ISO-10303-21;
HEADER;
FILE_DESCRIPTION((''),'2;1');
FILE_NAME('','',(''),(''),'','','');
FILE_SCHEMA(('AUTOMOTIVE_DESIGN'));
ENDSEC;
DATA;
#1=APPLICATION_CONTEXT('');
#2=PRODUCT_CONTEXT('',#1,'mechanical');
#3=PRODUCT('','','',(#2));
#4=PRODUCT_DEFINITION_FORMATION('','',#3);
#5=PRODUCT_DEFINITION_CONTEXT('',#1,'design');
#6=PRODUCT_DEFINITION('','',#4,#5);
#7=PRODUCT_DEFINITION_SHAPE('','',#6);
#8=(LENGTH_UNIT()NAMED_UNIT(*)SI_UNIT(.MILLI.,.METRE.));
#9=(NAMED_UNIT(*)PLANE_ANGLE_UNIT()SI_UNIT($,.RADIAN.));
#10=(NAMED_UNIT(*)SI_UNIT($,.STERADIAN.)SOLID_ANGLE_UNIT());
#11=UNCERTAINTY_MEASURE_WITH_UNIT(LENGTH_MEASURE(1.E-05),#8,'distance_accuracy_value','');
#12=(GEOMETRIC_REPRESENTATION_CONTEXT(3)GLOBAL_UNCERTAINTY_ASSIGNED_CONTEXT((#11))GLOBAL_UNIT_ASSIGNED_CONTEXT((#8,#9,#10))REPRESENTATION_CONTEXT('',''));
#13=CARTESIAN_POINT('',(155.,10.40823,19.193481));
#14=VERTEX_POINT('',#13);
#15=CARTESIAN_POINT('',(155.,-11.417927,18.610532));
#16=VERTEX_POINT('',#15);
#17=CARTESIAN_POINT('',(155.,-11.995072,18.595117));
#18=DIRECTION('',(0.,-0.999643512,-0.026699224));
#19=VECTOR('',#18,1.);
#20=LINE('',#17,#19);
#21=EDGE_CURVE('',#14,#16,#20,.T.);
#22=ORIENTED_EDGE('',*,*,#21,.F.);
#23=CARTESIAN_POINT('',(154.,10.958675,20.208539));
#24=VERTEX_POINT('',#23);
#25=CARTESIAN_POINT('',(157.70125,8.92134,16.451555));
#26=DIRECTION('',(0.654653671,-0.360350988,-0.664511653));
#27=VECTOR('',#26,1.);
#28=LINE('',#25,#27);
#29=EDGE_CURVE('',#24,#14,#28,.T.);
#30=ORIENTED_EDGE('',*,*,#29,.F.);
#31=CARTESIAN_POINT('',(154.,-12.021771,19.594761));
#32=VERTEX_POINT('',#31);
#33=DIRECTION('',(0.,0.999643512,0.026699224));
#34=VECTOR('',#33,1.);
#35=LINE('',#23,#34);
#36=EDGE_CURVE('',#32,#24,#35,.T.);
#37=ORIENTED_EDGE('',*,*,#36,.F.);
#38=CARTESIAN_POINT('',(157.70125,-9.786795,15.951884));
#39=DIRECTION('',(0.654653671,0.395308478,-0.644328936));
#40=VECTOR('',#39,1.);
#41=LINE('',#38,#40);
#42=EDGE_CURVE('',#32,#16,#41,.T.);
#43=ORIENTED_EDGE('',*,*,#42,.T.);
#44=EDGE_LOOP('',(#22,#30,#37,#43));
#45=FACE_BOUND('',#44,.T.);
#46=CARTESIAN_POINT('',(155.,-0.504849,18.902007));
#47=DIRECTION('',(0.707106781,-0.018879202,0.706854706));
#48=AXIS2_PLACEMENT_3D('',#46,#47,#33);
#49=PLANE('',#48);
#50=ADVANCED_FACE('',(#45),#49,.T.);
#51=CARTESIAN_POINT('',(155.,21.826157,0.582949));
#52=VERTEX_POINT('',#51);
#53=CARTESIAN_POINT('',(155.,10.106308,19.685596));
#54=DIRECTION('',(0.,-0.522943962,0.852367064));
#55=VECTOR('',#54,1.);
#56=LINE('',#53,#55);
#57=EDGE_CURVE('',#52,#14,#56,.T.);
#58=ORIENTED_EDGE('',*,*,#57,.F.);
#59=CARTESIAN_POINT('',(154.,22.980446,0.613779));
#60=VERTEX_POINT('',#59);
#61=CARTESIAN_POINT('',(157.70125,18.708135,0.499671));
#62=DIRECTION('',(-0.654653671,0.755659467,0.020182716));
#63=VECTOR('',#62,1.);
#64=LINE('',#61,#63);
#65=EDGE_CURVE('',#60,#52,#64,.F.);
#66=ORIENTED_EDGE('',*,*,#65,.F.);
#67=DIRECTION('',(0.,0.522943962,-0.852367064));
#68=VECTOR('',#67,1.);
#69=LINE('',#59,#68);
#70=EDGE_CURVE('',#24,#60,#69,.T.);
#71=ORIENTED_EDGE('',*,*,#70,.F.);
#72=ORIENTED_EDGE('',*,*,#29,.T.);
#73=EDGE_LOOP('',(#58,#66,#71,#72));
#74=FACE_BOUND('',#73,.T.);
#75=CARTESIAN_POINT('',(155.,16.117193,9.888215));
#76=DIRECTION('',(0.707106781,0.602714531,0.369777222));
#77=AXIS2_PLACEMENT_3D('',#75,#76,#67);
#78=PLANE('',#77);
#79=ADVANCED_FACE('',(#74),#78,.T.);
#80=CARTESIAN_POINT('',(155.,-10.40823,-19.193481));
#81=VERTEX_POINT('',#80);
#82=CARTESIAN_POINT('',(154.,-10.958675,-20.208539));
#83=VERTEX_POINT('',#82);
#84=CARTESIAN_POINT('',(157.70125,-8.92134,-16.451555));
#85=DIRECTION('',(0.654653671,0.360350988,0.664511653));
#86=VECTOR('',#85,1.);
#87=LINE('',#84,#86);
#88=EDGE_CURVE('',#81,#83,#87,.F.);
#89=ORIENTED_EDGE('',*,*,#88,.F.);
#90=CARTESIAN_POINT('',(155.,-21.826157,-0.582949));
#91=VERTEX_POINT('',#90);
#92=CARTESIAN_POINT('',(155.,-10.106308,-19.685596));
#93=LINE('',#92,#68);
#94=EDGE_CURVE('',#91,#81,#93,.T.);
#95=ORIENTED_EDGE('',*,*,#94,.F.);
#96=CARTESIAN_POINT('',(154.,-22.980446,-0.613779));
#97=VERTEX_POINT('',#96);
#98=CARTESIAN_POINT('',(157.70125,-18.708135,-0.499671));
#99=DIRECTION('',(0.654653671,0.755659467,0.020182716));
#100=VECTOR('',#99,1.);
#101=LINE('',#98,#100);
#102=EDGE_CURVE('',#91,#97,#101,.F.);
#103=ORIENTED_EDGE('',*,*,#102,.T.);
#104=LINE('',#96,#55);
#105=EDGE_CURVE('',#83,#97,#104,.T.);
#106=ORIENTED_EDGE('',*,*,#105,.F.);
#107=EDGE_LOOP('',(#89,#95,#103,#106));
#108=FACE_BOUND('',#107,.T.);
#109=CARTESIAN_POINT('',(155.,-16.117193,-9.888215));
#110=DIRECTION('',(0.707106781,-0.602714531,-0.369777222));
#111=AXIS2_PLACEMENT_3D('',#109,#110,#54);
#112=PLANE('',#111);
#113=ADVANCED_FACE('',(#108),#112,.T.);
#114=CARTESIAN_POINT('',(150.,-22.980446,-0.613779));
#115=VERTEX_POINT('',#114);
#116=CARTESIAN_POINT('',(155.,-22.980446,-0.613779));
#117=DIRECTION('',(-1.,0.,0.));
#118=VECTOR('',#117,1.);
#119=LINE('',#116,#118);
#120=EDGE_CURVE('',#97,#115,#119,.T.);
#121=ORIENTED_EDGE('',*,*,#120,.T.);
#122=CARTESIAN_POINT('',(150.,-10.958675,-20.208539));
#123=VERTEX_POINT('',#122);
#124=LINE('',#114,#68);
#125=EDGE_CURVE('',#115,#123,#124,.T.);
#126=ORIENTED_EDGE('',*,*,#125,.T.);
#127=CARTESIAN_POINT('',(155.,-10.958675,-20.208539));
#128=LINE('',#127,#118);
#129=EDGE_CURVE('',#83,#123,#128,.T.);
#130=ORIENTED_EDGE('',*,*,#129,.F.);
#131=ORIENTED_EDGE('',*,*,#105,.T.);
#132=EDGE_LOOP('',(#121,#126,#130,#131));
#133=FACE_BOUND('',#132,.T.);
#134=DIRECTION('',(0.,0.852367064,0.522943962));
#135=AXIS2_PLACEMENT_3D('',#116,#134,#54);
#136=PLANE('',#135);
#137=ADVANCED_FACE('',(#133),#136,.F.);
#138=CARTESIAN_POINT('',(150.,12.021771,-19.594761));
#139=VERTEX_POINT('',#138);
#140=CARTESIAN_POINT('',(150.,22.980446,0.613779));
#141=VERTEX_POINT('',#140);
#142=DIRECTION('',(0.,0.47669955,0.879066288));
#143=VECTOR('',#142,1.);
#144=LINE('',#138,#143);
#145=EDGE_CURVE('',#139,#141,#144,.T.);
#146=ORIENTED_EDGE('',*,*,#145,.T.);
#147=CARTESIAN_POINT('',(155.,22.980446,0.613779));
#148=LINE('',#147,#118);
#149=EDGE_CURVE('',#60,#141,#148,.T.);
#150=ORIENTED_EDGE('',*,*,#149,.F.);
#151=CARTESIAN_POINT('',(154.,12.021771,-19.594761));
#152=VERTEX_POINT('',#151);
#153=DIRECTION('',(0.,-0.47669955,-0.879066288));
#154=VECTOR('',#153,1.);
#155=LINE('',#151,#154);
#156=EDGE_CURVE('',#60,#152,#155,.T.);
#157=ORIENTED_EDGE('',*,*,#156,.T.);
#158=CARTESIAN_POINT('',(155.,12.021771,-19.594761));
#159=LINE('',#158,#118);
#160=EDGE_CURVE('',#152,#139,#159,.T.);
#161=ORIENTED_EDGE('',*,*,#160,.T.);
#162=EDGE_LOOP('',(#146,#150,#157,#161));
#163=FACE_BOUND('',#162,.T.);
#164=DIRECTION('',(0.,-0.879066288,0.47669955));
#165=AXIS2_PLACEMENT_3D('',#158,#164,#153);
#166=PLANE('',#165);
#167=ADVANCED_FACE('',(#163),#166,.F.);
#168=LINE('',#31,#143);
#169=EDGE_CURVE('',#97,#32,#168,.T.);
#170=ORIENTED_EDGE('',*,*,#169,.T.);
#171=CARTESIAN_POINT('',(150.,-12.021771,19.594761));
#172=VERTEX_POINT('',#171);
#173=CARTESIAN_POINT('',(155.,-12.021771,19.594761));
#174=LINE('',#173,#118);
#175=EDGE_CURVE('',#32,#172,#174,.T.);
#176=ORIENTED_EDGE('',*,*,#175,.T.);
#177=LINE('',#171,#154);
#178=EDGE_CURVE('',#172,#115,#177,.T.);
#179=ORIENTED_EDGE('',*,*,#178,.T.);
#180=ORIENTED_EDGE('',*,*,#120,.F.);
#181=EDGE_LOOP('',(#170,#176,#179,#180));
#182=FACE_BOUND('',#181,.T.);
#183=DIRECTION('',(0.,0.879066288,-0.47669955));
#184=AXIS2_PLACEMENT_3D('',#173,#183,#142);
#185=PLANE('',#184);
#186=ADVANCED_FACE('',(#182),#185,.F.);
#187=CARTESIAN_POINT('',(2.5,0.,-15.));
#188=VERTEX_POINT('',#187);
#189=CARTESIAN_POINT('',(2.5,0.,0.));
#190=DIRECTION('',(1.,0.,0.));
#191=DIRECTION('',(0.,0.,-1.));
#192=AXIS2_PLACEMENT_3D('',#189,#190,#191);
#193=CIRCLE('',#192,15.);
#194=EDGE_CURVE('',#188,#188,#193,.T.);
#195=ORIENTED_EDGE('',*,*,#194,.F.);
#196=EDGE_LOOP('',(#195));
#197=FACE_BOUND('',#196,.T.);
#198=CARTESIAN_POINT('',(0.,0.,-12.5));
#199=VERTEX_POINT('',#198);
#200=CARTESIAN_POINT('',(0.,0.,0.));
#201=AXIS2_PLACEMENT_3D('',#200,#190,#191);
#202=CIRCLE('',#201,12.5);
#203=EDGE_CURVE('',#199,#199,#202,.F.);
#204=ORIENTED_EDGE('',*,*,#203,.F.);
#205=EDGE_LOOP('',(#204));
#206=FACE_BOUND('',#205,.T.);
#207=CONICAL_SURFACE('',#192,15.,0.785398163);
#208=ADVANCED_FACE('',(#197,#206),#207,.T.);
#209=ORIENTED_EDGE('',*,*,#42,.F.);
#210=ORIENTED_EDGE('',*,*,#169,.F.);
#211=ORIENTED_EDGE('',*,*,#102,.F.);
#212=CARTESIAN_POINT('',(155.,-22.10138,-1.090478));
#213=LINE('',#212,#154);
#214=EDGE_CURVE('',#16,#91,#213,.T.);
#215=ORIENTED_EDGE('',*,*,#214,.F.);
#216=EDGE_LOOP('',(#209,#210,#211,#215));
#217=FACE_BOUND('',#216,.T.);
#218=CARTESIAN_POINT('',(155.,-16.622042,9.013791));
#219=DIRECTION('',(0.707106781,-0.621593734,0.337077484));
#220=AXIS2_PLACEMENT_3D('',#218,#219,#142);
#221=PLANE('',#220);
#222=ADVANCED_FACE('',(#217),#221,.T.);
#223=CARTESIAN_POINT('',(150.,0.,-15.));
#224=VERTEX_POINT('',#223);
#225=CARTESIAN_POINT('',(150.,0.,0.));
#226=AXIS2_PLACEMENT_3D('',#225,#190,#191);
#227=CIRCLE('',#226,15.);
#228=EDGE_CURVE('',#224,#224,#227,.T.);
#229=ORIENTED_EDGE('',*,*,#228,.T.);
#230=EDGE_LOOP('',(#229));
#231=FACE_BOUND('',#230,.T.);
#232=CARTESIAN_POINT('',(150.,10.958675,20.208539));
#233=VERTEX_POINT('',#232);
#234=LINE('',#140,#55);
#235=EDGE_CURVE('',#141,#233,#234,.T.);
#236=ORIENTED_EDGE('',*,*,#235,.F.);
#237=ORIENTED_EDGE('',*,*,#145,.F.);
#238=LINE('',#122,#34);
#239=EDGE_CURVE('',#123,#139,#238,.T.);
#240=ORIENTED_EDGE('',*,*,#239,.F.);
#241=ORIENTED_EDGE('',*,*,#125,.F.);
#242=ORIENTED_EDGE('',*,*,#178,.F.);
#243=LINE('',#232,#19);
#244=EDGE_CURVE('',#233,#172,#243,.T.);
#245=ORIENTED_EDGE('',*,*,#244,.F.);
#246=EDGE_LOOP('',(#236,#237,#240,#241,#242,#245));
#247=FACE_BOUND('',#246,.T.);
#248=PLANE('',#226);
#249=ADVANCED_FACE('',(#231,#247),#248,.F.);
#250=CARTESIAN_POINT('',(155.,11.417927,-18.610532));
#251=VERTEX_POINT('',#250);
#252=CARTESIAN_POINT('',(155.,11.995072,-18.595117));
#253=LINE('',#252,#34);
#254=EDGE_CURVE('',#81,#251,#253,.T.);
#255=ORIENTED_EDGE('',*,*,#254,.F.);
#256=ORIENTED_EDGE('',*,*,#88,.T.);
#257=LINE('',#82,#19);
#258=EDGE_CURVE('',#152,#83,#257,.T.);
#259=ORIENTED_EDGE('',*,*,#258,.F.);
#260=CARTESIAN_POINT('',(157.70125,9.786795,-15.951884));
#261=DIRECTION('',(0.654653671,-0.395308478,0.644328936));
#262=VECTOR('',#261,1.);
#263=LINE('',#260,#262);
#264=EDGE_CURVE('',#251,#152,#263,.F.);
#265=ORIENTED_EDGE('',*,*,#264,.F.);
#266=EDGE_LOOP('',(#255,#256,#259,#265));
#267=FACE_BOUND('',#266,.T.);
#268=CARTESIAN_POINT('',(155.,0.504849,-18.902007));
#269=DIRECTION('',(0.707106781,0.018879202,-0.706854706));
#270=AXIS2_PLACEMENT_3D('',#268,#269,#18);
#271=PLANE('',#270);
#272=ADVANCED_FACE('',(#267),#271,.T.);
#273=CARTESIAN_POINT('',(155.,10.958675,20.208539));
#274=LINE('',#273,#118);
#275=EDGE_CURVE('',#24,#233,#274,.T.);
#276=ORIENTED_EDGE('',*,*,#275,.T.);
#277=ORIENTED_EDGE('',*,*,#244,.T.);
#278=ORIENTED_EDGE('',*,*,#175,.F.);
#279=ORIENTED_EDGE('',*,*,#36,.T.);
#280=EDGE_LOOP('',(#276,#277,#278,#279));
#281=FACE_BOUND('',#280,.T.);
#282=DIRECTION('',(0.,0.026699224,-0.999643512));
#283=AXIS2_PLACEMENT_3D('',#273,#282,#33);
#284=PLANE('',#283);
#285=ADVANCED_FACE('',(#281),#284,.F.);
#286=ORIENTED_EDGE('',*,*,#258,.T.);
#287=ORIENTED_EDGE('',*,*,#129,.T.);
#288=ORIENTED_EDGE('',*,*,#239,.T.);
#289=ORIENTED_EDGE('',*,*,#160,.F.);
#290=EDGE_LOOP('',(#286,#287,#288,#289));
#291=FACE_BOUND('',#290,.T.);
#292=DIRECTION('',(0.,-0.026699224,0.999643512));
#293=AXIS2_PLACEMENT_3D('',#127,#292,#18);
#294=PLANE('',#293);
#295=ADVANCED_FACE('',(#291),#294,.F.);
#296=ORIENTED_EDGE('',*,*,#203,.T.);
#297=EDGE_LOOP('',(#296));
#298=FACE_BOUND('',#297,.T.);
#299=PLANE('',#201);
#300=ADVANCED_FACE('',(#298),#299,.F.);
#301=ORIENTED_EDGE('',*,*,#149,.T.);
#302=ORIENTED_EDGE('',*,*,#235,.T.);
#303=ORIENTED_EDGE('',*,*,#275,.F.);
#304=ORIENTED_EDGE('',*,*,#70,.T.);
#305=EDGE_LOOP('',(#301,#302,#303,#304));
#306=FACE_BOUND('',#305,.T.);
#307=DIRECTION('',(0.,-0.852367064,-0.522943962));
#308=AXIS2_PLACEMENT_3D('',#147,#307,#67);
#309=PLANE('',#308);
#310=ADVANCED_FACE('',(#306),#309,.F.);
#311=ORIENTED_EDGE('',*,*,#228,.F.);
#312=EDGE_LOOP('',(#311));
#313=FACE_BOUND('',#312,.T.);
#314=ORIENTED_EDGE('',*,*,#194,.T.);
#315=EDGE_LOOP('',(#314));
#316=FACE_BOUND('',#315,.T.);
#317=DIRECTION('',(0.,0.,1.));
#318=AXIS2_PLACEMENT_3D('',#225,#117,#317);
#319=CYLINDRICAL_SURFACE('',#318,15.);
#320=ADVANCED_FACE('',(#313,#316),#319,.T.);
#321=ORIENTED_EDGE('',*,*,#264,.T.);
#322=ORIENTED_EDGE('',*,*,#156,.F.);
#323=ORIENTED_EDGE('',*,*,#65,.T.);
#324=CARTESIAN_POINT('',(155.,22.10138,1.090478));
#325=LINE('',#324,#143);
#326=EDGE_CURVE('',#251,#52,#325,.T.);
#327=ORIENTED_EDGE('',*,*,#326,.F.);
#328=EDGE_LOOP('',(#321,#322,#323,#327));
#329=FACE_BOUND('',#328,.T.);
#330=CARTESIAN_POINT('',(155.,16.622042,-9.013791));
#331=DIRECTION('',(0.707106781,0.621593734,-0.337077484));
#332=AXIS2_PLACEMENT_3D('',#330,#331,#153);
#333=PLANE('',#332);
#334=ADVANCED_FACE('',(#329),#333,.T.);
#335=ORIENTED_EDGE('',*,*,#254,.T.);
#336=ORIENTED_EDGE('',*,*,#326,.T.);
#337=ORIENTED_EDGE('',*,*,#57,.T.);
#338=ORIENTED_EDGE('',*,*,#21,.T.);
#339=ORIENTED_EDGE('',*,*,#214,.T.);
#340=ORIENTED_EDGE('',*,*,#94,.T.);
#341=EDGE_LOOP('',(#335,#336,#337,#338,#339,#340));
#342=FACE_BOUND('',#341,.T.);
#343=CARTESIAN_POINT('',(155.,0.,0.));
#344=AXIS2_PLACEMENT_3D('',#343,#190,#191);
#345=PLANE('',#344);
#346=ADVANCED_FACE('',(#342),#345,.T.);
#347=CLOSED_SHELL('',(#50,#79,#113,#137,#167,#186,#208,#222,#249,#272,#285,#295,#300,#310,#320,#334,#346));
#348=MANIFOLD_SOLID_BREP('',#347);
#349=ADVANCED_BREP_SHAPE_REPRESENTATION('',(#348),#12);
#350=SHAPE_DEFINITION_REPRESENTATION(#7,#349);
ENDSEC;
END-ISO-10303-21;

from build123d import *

# Parameters (mm, degrees)
SKETCH1_R           = 15
BOSS_EXTRUDE1_DEPTH = 150
BOSS_EXTRUDE2_DEPTH = 5
CHAMFER1_SIZE       = 1
CHAMFER3_SIZE       = 2.5


with BuildPart() as part:
    # Sketch1 → Boss-Extrude1 (new body)
    with BuildSketch(Plane(origin=(0, 0, 0), x_dir=(0, 0, -1), z_dir=(1, 0, 0))):
        Circle(SKETCH1_R)
    extrude(amount=BOSS_EXTRUDE1_DEPTH)

    # Sketch2 → Boss-Extrude2 (add)
    with BuildSketch(Plane(origin=(150, 0, 0), x_dir=(0, 0, -1), z_dir=(1, 0, 0))):
        Polygon((-20.208539493, 10.958674909), (-19.594760609, -12.02177112), (0.613778884, -22.980446029), (20.208539493, -10.958674909), (19.594760609, 12.02177112), (-0.613778884, 22.980446029), align=None)
    extrude(amount=BOSS_EXTRUDE2_DEPTH)

    # Chamfer1
    chamfer1_edges = [part.edges().sort_by_distance(p)[0] for p in [
        (155, 16.969560469, 10.411159188),
        (155, -0.531548105, 19.901650051),
        (155, -17.501108574, 9.490490863),
        (155, -16.969560469, -10.411159188),
        (155, 0.531548105, -19.901650051),
        (155, 17.501108574, -9.490490863),
    ]]
    chamfer(chamfer1_edges, length=CHAMFER1_SIZE)

    # Chamfer3
    chamfer3_edges = [part.edges().sort_by_distance(p)[0] for p in [
        (0, 0, 15),
    ]]
    chamfer(chamfer3_edges, length=CHAMFER3_SIZE)


solid = part.part
